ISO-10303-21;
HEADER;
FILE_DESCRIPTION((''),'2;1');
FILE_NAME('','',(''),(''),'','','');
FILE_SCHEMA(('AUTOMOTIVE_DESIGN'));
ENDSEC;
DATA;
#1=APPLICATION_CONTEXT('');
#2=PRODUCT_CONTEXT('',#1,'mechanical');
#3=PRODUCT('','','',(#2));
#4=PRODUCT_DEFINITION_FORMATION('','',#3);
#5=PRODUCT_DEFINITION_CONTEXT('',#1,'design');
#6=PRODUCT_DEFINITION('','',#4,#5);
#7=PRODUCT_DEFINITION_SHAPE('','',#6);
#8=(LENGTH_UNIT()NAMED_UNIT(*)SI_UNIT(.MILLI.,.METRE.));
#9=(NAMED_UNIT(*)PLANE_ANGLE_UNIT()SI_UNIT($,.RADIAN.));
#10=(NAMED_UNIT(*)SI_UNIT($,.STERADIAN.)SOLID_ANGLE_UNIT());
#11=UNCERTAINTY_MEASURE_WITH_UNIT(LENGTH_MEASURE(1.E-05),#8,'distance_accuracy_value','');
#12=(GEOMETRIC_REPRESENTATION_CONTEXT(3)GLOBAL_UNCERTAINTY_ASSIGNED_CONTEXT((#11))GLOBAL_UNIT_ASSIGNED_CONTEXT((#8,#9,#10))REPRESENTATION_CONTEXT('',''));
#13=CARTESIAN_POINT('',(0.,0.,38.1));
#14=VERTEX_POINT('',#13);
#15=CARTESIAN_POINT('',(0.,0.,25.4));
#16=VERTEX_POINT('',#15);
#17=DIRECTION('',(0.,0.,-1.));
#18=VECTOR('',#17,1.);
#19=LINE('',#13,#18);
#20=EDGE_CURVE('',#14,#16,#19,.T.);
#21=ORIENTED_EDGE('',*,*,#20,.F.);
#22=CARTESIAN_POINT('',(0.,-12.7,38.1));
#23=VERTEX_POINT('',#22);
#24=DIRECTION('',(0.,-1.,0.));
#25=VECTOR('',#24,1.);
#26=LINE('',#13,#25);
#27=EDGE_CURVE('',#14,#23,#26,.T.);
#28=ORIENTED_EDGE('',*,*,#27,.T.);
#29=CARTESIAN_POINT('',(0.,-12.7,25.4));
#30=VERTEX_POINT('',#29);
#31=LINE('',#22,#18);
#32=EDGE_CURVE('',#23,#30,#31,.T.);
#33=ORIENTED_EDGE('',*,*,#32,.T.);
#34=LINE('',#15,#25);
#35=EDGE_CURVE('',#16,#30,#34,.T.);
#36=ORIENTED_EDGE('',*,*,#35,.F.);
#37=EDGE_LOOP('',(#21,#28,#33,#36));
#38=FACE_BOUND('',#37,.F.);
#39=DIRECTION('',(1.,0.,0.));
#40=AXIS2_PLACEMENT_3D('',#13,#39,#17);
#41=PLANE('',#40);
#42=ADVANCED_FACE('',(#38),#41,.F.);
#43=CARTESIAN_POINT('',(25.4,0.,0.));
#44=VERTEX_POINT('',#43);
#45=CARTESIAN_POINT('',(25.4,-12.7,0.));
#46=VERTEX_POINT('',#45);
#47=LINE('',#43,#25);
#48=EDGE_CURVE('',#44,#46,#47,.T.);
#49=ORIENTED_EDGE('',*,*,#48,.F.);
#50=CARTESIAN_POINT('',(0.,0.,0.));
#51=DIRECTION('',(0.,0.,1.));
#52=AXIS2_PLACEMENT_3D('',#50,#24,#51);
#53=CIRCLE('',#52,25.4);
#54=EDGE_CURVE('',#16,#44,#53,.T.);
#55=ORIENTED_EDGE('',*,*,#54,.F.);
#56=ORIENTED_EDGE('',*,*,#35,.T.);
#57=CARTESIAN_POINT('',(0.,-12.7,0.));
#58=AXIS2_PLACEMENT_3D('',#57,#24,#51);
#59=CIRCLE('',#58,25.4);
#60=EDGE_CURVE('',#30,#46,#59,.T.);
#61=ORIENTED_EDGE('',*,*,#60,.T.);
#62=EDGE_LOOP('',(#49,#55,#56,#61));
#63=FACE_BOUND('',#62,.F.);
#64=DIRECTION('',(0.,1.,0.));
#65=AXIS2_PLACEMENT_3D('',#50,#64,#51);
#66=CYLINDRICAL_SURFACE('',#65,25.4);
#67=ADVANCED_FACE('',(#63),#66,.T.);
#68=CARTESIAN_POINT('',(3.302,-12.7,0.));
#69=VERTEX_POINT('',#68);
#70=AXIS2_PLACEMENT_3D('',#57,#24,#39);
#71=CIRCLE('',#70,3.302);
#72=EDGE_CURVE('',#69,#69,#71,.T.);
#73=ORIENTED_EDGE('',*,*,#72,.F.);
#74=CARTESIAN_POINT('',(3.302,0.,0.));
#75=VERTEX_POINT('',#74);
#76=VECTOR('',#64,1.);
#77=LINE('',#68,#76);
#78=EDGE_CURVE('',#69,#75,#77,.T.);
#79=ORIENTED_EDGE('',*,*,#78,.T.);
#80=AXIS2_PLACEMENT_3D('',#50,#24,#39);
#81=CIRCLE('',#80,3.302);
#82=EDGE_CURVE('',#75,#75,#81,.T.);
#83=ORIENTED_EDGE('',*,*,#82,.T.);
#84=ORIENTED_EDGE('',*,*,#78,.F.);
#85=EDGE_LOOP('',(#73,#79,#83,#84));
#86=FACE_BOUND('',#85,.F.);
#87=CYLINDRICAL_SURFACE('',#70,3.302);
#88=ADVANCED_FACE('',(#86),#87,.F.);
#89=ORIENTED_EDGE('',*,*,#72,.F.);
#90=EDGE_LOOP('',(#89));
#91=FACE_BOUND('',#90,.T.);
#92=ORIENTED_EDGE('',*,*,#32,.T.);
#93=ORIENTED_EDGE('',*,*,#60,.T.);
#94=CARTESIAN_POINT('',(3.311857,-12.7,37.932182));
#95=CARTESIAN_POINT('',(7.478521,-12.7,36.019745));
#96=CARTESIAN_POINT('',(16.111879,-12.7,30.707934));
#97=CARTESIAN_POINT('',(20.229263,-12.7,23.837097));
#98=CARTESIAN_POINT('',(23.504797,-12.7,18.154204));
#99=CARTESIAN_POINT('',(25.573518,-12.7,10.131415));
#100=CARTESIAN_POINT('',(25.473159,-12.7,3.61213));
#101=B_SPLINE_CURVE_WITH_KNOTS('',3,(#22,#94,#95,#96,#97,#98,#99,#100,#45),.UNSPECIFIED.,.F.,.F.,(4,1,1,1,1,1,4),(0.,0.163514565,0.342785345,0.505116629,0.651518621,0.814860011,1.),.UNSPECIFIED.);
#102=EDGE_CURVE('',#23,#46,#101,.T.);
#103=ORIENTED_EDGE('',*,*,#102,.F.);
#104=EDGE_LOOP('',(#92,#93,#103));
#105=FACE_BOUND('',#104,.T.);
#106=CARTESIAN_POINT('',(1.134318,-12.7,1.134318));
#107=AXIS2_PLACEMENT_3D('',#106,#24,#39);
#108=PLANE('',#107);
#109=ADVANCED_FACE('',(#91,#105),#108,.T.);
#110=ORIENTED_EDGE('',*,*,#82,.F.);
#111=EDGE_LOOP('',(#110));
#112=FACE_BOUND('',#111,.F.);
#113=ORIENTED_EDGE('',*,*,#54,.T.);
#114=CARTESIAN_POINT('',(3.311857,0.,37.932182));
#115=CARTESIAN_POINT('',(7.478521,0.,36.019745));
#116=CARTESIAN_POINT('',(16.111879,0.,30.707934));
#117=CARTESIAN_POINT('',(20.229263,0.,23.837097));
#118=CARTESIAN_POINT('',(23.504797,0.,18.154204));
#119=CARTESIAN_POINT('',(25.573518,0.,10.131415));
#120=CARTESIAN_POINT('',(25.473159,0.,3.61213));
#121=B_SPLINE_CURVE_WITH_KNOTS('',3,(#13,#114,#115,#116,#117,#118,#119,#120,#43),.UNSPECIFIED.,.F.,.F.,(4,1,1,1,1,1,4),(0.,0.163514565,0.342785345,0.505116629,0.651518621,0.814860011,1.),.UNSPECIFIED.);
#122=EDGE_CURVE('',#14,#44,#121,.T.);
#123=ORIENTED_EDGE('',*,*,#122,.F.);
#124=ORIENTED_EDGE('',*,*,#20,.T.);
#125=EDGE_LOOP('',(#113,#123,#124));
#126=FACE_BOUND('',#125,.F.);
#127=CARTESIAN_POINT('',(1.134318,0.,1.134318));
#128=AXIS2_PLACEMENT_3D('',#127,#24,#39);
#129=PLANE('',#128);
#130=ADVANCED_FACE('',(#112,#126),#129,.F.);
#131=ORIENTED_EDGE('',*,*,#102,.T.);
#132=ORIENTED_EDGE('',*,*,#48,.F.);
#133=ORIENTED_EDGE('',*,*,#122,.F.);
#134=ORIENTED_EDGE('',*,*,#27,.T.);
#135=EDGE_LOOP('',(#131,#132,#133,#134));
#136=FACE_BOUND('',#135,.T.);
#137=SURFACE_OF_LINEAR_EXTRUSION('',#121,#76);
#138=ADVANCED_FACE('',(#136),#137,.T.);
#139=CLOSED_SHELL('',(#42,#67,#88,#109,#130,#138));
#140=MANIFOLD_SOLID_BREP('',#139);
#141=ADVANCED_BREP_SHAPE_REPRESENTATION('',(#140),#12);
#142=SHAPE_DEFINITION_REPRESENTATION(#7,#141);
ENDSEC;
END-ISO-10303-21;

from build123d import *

# Parameters (mm, degrees)
F1_DEPTH = 12.7
F2_DEPTH = 12.7
F3_R     = 3.302
F4_DEPTH = 41.148


with BuildPart() as f1:
    # F0 (on Front) → F1 (new body)
    with BuildSketch(Plane.XZ):
        with BuildLine():
            ThreePointArc((0, 25.4), (-17.9605122421, -17.9605122421), (25.4, 0))
            ThreePointArc((25.4, 0), (17.9605122421, 17.9605122421), (0, 25.4))
        make_face()
    extrude(amount=F1_DEPTH)

    # F0 (on Front) → F2 (join)
    with BuildSketch(Plane.XZ):
        with BuildLine():
            ThreePointArc((0, 25.4), (-17.9605122421, -17.9605122421), (25.4, 0))
            ThreePointArc((25.4, 0), (17.9605122421, 17.9605122421), (0, 25.4))
        make_face()
        with BuildLine():
            ThreePointArc((0, 25.4), (17.9605122421, 17.9605122421), (25.4, 0))
            add(Edge.make_bspline(
                [(0, 38.1), (3.311857111, 37.9321821298), (7.478521166, 36.0197451091), (16.1118794602, 30.7079338501), (20.2292628288, 23.8370974126), (23.5047968087, 18.1542039797), (25.5735181803, 10.1314153802), (25.4731588994, 3.6121298538), (25.4, 0)],
                knots=[0, 0, 0, 0, 0.1635145653, 0.3427853453, 0.5051166288, 0.6515186212, 0.8148600106, 1, 1, 1, 1], degree=3))
            Line((0, 38.1), (0, 25.4))
        make_face()
    extrude(amount=F2_DEPTH)

    # F3 (on face) → F4 (cut)
    with BuildSketch(Plane.XZ.offset(12.7)):
        Circle(F3_R)
    extrude(amount=-F4_DEPTH, mode=Mode.SUBTRACT)


solid = f1.part
